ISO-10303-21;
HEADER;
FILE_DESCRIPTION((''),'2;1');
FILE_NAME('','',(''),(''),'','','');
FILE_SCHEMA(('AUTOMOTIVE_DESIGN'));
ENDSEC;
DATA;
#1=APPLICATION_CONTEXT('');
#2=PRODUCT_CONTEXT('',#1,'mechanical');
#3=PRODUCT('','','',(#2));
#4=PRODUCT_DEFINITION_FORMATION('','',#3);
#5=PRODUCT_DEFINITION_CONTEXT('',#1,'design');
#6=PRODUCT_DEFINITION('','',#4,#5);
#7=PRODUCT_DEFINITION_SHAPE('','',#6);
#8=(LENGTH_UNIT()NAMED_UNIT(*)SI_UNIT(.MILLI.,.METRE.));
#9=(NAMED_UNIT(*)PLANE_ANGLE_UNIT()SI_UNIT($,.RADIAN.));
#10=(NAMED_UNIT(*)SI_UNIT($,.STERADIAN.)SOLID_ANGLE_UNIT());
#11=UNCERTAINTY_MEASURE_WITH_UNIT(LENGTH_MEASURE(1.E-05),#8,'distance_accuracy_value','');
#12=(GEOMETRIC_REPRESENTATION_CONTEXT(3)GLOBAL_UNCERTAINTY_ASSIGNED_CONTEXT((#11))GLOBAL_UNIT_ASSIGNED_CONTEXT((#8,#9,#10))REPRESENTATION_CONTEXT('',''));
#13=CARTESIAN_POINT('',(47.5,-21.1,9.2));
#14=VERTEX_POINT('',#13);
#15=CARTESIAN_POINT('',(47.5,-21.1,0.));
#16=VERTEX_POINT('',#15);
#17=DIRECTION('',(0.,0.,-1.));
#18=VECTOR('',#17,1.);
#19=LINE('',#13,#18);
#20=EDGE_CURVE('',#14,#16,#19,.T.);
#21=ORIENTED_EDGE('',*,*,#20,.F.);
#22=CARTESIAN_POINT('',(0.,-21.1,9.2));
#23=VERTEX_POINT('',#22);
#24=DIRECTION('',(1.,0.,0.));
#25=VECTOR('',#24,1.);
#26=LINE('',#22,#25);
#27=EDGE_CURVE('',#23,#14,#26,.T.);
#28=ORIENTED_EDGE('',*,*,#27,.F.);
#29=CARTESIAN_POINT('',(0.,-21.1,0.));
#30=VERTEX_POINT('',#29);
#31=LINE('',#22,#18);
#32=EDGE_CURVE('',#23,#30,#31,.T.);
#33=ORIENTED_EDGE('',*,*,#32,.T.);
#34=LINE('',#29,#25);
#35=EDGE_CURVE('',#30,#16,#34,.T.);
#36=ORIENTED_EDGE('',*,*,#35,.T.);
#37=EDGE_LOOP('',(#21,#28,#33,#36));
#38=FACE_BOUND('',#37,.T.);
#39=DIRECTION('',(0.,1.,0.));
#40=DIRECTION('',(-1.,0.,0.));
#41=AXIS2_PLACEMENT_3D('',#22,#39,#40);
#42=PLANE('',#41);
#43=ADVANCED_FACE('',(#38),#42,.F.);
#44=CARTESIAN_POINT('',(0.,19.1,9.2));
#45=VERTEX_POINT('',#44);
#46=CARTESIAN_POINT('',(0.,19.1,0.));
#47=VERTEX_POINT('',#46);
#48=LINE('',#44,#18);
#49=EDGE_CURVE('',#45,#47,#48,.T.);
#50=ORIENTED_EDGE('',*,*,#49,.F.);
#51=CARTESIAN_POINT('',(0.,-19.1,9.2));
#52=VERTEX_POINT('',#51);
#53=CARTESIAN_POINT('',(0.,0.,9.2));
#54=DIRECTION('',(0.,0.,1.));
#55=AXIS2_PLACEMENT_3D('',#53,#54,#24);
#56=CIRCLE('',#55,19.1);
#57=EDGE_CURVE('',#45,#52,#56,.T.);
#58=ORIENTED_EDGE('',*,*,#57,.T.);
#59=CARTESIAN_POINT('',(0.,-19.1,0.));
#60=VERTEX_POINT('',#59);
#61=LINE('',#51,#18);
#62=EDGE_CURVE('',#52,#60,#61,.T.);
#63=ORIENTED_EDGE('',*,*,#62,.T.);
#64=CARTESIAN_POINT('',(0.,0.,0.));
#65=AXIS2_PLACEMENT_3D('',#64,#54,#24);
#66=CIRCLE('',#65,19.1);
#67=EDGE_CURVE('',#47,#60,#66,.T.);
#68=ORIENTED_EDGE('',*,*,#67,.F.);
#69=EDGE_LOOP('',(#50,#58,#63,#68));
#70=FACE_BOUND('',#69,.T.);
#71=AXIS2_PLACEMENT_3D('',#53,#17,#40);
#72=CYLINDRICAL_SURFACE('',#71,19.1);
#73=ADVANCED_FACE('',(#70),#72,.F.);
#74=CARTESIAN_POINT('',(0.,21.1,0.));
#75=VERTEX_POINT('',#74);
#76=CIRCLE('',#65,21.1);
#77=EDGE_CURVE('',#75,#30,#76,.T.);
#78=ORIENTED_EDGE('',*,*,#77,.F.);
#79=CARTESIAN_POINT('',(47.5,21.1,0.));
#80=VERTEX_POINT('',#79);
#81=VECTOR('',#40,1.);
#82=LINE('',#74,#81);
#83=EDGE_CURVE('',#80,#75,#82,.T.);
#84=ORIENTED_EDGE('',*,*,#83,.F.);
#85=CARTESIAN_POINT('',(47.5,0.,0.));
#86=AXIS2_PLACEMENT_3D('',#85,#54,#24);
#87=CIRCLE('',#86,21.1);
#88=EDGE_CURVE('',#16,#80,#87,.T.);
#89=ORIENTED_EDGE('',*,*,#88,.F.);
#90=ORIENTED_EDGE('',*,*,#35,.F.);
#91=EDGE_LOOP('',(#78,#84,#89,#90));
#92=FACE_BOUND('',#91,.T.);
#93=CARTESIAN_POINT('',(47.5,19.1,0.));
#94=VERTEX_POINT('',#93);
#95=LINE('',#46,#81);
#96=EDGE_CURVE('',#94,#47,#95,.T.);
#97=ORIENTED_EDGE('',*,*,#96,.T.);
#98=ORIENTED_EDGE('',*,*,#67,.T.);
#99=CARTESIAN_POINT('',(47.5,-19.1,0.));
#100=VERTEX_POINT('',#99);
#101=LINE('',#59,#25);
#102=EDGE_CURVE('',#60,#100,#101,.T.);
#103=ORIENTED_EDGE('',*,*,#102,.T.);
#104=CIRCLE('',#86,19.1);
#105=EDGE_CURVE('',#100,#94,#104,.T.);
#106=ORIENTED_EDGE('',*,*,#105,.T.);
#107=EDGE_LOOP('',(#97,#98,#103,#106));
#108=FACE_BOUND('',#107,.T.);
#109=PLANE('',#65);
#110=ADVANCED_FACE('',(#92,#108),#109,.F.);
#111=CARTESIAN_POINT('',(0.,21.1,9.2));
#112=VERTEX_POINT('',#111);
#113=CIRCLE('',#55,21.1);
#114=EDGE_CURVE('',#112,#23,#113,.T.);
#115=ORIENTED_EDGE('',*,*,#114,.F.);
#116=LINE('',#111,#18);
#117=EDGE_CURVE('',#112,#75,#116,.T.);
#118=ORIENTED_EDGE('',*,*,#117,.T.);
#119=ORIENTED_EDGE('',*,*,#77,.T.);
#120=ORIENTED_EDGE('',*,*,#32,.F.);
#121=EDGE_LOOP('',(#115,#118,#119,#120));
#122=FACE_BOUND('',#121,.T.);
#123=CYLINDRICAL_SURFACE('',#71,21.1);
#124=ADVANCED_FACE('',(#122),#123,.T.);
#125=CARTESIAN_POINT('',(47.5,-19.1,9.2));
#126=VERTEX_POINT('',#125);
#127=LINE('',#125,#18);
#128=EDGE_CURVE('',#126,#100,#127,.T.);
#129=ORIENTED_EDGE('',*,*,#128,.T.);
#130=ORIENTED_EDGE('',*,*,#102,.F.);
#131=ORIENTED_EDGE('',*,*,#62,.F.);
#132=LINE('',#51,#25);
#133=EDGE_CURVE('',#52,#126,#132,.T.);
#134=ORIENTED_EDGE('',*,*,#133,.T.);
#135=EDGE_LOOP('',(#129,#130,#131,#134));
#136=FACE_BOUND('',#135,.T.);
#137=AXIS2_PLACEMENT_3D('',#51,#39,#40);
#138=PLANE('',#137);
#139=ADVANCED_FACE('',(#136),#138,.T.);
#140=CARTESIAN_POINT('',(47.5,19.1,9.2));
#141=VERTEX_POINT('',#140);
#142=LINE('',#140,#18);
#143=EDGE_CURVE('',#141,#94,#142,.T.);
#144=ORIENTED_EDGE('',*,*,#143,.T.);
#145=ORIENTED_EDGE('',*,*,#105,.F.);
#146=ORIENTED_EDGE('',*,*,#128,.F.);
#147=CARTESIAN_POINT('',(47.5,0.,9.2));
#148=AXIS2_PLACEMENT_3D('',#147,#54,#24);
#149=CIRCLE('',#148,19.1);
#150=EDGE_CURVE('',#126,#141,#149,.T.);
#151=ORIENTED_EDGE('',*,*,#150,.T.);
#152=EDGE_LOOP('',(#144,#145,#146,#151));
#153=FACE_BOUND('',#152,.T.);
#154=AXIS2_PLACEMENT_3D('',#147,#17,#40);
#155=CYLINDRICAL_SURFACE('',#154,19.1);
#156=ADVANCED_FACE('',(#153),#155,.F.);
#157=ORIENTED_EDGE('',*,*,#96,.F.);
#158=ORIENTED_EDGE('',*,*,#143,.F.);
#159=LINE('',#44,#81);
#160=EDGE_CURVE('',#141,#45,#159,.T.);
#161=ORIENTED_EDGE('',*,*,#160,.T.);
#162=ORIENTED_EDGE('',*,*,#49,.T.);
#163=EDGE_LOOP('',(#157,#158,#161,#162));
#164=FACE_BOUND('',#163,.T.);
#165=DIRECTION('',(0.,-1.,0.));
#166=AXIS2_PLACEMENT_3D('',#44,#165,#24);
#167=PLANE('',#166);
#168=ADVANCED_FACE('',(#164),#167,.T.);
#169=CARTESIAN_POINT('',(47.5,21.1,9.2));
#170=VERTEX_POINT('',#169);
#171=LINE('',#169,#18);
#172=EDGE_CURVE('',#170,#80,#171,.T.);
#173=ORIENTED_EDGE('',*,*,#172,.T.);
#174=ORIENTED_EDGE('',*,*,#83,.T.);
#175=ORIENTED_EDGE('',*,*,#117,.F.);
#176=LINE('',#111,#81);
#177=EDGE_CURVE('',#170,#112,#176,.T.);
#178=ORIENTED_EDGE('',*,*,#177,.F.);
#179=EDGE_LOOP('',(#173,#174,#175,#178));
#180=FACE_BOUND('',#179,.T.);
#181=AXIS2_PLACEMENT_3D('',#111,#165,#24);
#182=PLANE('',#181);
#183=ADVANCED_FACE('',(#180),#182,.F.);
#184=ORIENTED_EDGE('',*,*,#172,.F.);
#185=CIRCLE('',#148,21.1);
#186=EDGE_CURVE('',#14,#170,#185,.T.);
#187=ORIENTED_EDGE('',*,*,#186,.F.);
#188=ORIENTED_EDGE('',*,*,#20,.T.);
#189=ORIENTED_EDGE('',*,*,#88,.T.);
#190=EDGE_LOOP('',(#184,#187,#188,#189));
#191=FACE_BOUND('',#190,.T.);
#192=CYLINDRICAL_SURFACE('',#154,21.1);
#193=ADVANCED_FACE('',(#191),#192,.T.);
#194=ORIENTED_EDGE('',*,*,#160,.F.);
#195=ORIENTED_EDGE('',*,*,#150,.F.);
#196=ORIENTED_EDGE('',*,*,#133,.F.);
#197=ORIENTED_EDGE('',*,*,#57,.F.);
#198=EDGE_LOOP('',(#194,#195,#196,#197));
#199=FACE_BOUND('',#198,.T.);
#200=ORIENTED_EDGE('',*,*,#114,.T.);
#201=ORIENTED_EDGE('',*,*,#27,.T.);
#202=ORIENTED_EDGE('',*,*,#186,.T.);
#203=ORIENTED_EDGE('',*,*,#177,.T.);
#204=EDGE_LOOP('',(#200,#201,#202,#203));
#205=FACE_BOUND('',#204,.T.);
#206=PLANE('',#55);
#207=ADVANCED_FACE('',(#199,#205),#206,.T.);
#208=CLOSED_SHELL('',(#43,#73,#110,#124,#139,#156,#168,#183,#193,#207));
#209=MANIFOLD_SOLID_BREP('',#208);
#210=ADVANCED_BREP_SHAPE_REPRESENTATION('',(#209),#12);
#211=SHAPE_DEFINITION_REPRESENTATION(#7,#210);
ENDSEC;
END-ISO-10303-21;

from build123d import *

# Parameters (mm, degrees)
EXTRUDE_THIN1_DEPTH = 9.2


with BuildPart() as part:
    # Sketch1 → Extrude-Thin1 (new body)
    with BuildSketch(Plane.XY):
        with BuildLine():
            Line((0, 21.1), (47.5, 21.1))
            ThreePointArc((47.5, 21.1), (68.6, 0), (47.5, -21.1))
            Line((47.5, -21.1), (0, -21.1))
            ThreePointArc((0, -21.1), (-21.1, 0), (0, 21.1))
        make_face()
        with BuildLine():
            Line((0, 19.1), (47.5, 19.1))
            ThreePointArc((47.5, 19.1), (66.6, 0), (47.5, -19.1))
            Line((47.5, -19.1), (0, -19.1))
            ThreePointArc((0, -19.1), (-19.1, 0), (0, 19.1))
        make_face(mode=Mode.SUBTRACT)
    extrude(amount=EXTRUDE_THIN1_DEPTH)


solid = part.part
